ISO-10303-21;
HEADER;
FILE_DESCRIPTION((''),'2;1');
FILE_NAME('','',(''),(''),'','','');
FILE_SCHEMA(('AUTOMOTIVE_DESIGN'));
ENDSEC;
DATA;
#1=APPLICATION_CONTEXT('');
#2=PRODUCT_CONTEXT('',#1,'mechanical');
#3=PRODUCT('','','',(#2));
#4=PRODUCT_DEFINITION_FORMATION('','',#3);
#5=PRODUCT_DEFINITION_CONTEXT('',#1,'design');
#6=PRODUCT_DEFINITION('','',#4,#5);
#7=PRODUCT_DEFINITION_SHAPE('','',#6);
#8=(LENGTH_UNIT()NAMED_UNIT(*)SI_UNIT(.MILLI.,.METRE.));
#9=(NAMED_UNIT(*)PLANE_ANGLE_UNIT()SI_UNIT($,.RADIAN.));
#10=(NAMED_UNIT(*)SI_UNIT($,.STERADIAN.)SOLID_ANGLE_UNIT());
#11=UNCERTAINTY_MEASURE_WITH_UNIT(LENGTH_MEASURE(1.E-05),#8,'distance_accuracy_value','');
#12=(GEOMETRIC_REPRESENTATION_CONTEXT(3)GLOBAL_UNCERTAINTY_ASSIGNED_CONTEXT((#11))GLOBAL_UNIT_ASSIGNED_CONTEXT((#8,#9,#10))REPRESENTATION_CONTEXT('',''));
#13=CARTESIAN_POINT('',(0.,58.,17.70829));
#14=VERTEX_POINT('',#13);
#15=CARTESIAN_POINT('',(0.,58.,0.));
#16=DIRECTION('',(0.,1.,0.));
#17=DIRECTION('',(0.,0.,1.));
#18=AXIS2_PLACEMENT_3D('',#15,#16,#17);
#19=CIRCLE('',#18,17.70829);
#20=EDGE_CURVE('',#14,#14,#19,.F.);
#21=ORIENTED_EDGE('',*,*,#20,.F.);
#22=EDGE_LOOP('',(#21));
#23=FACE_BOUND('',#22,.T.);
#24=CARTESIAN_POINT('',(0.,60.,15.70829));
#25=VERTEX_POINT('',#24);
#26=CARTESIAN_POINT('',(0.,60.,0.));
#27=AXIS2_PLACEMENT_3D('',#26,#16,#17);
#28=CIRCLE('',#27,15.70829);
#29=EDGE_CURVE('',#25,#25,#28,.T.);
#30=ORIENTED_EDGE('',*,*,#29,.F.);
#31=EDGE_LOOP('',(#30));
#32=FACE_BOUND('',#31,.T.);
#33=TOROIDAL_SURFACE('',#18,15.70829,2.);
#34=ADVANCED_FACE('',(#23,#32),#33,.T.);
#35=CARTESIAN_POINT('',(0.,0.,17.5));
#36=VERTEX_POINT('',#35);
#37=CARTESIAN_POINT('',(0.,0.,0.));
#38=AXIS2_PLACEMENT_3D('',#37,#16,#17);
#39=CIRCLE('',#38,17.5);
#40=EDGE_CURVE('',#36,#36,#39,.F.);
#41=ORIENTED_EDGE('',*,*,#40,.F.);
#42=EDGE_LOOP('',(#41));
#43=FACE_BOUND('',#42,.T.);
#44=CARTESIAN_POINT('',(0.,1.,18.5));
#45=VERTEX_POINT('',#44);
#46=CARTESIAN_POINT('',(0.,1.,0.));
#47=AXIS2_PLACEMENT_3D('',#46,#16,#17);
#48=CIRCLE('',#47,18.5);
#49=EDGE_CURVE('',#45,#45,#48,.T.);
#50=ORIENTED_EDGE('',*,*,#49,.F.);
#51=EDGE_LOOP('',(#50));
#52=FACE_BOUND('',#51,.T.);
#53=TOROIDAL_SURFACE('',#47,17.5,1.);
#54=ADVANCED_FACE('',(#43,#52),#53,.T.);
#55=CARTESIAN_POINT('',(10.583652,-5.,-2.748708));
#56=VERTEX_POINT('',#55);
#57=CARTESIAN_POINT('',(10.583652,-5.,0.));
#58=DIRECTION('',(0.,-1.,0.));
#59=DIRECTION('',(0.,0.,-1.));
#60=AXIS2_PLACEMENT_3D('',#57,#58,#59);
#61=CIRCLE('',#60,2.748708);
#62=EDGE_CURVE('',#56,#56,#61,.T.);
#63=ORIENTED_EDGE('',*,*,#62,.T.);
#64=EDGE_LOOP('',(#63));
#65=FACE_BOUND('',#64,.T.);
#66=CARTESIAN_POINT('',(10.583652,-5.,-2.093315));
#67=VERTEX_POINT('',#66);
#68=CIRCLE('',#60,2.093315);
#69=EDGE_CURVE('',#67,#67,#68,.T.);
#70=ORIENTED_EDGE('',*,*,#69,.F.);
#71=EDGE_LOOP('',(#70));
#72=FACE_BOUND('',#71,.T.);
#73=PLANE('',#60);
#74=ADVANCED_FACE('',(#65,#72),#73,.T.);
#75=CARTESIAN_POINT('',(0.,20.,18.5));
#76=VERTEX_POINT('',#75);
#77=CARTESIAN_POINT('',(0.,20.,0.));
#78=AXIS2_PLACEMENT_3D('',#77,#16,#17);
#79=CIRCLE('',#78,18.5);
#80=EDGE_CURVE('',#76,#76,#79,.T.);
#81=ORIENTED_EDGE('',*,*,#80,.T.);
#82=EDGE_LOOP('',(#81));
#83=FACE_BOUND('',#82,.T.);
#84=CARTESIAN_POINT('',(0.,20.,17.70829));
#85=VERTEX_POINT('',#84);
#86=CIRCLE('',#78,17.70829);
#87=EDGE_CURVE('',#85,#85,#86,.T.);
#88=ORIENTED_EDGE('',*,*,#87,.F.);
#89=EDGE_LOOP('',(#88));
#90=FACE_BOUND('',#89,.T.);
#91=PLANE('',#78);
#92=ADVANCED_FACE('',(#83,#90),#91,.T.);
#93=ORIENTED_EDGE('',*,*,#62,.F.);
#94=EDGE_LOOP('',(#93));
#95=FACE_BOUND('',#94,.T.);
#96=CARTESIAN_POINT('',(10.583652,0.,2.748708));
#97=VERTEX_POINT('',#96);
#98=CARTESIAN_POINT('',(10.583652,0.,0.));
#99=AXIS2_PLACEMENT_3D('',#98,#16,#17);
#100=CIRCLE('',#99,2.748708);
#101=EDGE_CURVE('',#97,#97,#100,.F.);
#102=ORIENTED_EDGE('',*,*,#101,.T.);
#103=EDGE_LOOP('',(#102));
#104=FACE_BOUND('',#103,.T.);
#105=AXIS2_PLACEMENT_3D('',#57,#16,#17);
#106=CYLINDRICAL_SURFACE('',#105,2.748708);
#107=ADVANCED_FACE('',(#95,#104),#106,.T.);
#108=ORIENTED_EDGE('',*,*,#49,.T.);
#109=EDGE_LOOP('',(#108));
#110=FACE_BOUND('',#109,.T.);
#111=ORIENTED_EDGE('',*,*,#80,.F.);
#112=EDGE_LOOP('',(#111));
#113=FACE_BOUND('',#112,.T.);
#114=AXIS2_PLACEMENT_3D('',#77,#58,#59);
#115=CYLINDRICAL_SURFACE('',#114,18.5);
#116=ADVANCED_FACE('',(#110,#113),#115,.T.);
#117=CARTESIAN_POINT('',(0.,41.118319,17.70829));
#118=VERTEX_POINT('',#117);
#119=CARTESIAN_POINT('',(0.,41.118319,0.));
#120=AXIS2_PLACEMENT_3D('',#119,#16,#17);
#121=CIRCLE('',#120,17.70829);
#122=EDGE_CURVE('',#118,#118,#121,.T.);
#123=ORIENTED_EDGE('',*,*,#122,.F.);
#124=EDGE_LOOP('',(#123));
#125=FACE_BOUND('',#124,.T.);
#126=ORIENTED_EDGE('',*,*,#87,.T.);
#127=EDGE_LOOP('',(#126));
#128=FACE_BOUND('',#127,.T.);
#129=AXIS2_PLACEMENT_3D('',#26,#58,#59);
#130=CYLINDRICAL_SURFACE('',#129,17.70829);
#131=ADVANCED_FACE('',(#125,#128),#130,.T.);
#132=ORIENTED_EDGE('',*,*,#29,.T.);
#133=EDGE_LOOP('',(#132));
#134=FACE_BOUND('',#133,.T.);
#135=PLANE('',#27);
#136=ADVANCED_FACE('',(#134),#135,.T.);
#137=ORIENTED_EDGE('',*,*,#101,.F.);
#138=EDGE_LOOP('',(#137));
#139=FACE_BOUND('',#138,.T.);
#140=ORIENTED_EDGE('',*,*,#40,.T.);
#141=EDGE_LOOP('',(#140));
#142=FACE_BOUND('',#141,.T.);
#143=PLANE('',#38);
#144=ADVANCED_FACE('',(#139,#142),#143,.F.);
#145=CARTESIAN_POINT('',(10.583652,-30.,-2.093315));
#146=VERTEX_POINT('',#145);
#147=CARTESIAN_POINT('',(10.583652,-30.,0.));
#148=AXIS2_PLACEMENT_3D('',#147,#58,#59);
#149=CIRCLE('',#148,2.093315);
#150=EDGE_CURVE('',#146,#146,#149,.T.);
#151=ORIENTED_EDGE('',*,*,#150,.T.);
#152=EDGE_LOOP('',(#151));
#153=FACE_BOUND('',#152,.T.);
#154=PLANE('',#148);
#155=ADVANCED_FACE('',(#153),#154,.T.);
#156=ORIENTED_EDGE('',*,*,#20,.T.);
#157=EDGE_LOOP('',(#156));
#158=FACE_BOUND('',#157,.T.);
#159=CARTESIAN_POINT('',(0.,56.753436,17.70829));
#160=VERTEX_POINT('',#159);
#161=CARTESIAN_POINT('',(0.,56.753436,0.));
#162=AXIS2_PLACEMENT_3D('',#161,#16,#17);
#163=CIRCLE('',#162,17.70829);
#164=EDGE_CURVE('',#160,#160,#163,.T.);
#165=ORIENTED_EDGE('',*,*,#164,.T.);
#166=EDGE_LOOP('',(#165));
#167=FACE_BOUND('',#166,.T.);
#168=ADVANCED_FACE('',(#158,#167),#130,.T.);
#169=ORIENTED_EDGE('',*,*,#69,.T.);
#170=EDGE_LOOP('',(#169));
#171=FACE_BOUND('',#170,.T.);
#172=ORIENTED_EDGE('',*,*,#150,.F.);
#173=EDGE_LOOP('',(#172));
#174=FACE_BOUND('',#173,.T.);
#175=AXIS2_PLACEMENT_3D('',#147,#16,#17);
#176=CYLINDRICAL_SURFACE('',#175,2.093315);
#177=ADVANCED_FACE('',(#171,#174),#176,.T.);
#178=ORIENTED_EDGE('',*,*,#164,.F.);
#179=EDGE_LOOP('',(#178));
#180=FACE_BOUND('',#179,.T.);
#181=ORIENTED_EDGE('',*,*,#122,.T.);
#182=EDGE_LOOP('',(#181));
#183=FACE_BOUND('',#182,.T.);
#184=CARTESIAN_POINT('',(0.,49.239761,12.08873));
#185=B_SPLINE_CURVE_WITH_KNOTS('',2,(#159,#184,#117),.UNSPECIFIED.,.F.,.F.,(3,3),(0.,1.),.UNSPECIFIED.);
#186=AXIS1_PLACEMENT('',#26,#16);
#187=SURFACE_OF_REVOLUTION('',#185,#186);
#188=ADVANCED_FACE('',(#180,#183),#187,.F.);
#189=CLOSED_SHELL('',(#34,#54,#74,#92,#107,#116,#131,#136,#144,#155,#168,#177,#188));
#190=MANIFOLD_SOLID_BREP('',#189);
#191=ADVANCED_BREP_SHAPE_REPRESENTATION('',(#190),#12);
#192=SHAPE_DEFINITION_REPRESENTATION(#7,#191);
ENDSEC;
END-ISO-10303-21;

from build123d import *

# Parameters (mm, degrees)
SKETCH1_R           = 18.5
BOSS_EXTRUDE1_DEPTH = 20
SKETCH2_R           = 17.708290072
BOSS_EXTRUDE2_DEPTH = 40
SKETCH3_R           = 2.093314986
BOSS_EXTRUDE3_DEPTH = 30
FILLET1_R           = 2
FILLET2_R           = 1
SKETCH5_R           = 2.748707601
BOSS_EXTRUDE4_DEPTH = 5


with BuildPart() as part:
    # Sketch1 → Boss-Extrude1 (new body)
    with BuildSketch(Plane(origin=(0, 0, 0), x_dir=(1, 0, 0), z_dir=(0, 1, 0))):
        with Locations(Location((0, 0, 0), (0, 0, 270))):
            Circle(SKETCH1_R)
    extrude(amount=BOSS_EXTRUDE1_DEPTH)

    # Sketch2 → Boss-Extrude2 (add)
    with BuildSketch(Plane(origin=(0, 20, 0), x_dir=(1, 0, 0), z_dir=(0, 1, 0))):
        with Locations(Location((0, 0, 0), (0, 0, 270))):
            Circle(SKETCH2_R)
    extrude(amount=BOSS_EXTRUDE2_DEPTH)

    # Sketch3 → Boss-Extrude3 (add)
    with BuildSketch(Plane.XZ):
        with Locations(Location((10.583651539, 0, 0), (0, 0, 90))):
            Circle(SKETCH3_R)
    extrude(amount=BOSS_EXTRUDE3_DEPTH)

    # Sketch4 → Cut-Revolve1 (revolve, cut)
    with BuildSketch(Plane(origin=(0, 0, 0), x_dir=(0, 0, -1), z_dir=(1, 0, 0))):
        with BuildLine():
            add(Edge.make_bspline(
                [(-17.708290072, 56.753435872), (-12.088729605, 49.239761399), (-17.708290072, 41.11831897)],
                knots=[0, 0, 0, 1, 1, 1], degree=2))
            Line((-17.708290072, 41.11831897), (-17.708290072, 56.753435872))
        make_face()
    revolve(axis=Axis((0, 60, 0), (0, -1, 0)), mode=Mode.SUBTRACT)

    # Fillet1
    fillet1_edges = [part.edges().sort_by_distance(p)[0] for p in [
        (0, 60, -17.708290072),
    ]]
    fillet(fillet1_edges, radius=FILLET1_R)

    # Fillet2
    fillet2_edges = [part.edges().sort_by_distance(p)[0] for p in [
        (0, 0, -18.5),
    ]]
    fillet(fillet2_edges, radius=FILLET2_R)

    # Sketch5 → Boss-Extrude4 (add)
    with BuildSketch(Plane.XZ):
        with Locations(Location((10.583651539, 0, 0), (0, 0, 90))):
            Circle(SKETCH5_R)
    extrude(amount=BOSS_EXTRUDE4_DEPTH)


solid = part.part
